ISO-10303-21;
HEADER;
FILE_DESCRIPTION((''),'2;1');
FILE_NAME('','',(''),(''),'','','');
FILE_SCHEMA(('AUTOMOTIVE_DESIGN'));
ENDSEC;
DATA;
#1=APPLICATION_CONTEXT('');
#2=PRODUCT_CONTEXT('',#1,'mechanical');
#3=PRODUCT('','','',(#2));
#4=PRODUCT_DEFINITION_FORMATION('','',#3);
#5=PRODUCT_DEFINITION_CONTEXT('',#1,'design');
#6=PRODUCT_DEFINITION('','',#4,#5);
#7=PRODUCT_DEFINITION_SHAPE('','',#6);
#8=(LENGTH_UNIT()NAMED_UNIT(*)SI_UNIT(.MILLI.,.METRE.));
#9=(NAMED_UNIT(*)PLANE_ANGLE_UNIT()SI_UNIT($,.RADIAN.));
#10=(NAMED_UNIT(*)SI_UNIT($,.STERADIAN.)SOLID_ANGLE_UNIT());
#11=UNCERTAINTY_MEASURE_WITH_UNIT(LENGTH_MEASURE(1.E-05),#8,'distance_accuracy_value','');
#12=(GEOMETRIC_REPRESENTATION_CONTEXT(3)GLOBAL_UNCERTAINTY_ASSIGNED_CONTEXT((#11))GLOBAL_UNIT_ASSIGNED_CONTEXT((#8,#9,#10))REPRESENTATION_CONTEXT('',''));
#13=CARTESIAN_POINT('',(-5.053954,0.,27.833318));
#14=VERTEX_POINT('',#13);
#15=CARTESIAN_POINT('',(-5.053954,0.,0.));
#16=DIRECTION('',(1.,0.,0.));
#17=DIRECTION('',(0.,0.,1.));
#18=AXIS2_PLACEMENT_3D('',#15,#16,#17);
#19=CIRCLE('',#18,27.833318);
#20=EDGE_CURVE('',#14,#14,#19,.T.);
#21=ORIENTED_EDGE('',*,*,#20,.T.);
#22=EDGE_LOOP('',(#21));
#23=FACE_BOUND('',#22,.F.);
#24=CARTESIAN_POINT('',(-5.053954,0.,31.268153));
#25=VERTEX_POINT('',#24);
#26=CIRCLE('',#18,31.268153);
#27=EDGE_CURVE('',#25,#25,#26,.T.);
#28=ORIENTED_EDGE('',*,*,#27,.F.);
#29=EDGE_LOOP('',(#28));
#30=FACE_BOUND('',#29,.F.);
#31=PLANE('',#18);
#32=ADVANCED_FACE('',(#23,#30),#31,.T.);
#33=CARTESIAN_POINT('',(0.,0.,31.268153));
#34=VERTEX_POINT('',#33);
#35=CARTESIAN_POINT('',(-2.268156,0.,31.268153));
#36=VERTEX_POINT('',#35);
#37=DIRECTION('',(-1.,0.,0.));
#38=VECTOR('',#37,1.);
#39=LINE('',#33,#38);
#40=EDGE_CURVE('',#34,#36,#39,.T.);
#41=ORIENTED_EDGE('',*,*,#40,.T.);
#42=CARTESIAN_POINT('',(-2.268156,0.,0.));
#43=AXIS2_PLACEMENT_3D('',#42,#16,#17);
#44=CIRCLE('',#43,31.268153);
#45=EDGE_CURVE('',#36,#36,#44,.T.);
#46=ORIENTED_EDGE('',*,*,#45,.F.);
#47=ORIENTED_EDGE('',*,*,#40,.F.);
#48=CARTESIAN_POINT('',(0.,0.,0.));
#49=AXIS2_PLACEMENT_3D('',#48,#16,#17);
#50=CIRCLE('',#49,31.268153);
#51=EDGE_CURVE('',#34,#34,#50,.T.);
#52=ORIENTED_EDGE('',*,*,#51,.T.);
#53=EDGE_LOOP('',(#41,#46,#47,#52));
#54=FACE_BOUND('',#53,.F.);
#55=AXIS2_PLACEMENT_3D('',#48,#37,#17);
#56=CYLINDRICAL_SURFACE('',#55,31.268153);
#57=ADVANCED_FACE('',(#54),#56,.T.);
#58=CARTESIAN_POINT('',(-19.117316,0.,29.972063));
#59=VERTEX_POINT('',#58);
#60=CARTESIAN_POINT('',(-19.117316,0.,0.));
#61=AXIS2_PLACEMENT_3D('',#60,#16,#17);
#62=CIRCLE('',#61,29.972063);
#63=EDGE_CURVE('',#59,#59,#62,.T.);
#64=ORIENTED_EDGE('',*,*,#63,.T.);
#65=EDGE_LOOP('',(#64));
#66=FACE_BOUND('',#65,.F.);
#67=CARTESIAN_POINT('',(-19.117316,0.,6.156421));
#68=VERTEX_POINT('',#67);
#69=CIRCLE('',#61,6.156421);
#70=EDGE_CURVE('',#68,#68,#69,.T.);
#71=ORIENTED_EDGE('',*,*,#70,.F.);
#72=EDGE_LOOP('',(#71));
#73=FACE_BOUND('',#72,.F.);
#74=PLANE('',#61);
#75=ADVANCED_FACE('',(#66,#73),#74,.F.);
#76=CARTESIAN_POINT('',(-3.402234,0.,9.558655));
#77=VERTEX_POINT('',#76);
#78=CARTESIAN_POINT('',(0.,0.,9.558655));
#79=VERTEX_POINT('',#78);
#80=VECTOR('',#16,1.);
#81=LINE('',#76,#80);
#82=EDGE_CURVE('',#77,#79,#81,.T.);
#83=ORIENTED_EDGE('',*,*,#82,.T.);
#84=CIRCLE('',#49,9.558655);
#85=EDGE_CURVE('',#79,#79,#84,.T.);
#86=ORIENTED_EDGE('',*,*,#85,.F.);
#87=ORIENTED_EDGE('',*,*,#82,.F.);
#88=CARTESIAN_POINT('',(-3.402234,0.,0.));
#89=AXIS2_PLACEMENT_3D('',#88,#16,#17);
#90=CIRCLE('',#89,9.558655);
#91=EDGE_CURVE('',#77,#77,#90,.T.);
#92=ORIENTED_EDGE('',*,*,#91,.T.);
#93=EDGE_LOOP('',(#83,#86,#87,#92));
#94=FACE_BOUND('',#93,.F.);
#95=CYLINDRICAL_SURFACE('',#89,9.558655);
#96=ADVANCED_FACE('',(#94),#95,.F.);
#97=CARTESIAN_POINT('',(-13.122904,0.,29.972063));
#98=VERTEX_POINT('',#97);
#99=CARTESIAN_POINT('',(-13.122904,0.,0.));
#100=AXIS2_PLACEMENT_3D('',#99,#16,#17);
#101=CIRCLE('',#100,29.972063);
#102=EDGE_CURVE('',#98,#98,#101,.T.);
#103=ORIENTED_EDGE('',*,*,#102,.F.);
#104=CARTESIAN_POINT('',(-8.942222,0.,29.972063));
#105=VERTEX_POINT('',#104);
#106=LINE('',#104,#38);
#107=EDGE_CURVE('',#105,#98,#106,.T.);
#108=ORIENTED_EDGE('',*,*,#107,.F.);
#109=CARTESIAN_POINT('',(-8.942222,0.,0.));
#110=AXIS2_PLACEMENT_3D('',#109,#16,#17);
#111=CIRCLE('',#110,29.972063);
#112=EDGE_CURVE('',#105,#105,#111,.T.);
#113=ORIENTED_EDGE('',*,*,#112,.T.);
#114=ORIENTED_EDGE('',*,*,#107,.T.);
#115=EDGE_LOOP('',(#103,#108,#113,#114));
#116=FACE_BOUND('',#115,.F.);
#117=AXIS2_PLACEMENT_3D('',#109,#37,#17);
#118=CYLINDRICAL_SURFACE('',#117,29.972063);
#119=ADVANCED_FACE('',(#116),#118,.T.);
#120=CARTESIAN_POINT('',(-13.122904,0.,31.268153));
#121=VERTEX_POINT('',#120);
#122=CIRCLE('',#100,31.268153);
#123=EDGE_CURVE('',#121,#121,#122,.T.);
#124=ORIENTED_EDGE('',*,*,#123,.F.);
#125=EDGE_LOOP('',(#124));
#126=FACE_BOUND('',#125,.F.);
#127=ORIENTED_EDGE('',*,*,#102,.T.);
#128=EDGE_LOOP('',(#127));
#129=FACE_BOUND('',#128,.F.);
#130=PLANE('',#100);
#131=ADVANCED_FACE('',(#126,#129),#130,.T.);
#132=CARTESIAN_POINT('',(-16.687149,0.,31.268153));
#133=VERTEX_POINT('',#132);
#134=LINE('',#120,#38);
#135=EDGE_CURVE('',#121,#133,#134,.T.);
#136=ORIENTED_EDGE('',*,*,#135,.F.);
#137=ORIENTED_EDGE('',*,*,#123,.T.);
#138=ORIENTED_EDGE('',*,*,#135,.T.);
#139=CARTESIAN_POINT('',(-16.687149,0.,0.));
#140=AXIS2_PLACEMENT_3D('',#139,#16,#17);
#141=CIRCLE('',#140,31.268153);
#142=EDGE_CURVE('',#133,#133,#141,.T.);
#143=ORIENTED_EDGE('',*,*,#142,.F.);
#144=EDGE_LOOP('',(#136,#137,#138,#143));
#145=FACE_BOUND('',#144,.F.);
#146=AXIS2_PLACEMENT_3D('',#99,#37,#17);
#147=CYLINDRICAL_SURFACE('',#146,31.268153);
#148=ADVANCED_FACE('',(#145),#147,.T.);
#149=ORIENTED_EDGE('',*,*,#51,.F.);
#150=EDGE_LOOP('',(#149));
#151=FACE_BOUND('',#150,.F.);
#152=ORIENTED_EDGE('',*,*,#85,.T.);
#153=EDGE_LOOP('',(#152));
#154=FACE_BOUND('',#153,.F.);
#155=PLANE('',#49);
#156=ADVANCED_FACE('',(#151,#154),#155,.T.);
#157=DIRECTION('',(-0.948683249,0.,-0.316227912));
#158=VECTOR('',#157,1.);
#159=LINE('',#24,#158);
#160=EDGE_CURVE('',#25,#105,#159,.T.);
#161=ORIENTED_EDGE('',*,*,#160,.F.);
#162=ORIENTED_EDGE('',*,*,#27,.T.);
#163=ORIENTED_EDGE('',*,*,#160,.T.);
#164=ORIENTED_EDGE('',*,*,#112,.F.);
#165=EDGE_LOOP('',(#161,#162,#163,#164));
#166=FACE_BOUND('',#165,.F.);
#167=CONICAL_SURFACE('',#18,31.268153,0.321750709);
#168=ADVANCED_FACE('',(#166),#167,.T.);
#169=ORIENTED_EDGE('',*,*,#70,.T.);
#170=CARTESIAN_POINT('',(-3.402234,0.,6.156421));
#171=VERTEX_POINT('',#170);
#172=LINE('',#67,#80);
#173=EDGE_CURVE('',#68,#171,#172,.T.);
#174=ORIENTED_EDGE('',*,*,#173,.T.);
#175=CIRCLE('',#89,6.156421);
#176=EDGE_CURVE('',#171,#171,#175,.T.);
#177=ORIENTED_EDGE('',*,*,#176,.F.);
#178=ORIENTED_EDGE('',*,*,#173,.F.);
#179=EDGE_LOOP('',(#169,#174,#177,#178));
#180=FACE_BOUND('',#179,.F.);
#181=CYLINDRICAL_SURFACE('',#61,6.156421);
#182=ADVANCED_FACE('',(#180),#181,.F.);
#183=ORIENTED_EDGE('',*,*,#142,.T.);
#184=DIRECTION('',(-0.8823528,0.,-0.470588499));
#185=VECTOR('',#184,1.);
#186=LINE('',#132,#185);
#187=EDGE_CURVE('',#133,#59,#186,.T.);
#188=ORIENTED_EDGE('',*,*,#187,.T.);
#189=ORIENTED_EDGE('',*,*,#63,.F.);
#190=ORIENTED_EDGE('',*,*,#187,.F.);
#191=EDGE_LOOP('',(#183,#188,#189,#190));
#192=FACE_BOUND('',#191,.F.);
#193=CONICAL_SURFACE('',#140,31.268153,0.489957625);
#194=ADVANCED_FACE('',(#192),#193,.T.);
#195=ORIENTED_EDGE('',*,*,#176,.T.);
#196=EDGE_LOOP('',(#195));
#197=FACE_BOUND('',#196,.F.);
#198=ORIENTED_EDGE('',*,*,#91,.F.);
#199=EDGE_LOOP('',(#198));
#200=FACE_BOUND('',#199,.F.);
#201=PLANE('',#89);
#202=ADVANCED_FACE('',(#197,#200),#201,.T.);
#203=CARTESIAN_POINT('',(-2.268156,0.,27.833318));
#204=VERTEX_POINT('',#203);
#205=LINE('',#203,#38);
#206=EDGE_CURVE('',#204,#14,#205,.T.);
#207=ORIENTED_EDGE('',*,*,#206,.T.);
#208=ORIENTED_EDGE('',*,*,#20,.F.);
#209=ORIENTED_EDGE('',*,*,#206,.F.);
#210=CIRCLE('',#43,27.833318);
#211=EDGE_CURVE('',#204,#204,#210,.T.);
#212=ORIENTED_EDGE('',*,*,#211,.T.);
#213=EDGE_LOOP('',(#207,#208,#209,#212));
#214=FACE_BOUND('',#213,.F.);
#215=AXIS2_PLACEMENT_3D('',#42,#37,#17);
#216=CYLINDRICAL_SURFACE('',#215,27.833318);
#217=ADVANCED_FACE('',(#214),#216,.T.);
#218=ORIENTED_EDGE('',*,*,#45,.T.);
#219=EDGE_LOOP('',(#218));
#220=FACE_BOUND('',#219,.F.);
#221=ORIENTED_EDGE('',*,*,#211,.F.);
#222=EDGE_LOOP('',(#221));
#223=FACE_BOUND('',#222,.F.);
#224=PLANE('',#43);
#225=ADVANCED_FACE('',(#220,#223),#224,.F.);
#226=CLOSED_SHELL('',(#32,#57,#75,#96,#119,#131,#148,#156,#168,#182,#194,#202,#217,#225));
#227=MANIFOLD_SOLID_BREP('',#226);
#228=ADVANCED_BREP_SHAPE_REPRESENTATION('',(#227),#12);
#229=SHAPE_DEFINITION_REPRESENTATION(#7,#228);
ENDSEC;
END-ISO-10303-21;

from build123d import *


with BuildPart() as f1:
    # F0 (on Front) → F1 (revolve)
    with BuildSketch(Plane.XZ):
        Polygon((-3.402234, 9.558655), (0, 9.558655), (0, 31.268153), (-2.268156, 31.268153), (-2.268156, 27.833318), (-5.053954, 27.833318), (-5.053954, 31.268153), (-8.942222, 29.972063), (-13.122904, 29.972063), (-13.122904, 31.268153), (-16.687149, 31.268153), (-19.117316, 29.972063), (-19.117316, 9.558655), (-19.117316, 6.156421), (-3.402234, 6.156421), align=None)
    revolve(axis=Axis((-11.745809, 0, 0), (1, 0, 0)))


solid = f1.part
